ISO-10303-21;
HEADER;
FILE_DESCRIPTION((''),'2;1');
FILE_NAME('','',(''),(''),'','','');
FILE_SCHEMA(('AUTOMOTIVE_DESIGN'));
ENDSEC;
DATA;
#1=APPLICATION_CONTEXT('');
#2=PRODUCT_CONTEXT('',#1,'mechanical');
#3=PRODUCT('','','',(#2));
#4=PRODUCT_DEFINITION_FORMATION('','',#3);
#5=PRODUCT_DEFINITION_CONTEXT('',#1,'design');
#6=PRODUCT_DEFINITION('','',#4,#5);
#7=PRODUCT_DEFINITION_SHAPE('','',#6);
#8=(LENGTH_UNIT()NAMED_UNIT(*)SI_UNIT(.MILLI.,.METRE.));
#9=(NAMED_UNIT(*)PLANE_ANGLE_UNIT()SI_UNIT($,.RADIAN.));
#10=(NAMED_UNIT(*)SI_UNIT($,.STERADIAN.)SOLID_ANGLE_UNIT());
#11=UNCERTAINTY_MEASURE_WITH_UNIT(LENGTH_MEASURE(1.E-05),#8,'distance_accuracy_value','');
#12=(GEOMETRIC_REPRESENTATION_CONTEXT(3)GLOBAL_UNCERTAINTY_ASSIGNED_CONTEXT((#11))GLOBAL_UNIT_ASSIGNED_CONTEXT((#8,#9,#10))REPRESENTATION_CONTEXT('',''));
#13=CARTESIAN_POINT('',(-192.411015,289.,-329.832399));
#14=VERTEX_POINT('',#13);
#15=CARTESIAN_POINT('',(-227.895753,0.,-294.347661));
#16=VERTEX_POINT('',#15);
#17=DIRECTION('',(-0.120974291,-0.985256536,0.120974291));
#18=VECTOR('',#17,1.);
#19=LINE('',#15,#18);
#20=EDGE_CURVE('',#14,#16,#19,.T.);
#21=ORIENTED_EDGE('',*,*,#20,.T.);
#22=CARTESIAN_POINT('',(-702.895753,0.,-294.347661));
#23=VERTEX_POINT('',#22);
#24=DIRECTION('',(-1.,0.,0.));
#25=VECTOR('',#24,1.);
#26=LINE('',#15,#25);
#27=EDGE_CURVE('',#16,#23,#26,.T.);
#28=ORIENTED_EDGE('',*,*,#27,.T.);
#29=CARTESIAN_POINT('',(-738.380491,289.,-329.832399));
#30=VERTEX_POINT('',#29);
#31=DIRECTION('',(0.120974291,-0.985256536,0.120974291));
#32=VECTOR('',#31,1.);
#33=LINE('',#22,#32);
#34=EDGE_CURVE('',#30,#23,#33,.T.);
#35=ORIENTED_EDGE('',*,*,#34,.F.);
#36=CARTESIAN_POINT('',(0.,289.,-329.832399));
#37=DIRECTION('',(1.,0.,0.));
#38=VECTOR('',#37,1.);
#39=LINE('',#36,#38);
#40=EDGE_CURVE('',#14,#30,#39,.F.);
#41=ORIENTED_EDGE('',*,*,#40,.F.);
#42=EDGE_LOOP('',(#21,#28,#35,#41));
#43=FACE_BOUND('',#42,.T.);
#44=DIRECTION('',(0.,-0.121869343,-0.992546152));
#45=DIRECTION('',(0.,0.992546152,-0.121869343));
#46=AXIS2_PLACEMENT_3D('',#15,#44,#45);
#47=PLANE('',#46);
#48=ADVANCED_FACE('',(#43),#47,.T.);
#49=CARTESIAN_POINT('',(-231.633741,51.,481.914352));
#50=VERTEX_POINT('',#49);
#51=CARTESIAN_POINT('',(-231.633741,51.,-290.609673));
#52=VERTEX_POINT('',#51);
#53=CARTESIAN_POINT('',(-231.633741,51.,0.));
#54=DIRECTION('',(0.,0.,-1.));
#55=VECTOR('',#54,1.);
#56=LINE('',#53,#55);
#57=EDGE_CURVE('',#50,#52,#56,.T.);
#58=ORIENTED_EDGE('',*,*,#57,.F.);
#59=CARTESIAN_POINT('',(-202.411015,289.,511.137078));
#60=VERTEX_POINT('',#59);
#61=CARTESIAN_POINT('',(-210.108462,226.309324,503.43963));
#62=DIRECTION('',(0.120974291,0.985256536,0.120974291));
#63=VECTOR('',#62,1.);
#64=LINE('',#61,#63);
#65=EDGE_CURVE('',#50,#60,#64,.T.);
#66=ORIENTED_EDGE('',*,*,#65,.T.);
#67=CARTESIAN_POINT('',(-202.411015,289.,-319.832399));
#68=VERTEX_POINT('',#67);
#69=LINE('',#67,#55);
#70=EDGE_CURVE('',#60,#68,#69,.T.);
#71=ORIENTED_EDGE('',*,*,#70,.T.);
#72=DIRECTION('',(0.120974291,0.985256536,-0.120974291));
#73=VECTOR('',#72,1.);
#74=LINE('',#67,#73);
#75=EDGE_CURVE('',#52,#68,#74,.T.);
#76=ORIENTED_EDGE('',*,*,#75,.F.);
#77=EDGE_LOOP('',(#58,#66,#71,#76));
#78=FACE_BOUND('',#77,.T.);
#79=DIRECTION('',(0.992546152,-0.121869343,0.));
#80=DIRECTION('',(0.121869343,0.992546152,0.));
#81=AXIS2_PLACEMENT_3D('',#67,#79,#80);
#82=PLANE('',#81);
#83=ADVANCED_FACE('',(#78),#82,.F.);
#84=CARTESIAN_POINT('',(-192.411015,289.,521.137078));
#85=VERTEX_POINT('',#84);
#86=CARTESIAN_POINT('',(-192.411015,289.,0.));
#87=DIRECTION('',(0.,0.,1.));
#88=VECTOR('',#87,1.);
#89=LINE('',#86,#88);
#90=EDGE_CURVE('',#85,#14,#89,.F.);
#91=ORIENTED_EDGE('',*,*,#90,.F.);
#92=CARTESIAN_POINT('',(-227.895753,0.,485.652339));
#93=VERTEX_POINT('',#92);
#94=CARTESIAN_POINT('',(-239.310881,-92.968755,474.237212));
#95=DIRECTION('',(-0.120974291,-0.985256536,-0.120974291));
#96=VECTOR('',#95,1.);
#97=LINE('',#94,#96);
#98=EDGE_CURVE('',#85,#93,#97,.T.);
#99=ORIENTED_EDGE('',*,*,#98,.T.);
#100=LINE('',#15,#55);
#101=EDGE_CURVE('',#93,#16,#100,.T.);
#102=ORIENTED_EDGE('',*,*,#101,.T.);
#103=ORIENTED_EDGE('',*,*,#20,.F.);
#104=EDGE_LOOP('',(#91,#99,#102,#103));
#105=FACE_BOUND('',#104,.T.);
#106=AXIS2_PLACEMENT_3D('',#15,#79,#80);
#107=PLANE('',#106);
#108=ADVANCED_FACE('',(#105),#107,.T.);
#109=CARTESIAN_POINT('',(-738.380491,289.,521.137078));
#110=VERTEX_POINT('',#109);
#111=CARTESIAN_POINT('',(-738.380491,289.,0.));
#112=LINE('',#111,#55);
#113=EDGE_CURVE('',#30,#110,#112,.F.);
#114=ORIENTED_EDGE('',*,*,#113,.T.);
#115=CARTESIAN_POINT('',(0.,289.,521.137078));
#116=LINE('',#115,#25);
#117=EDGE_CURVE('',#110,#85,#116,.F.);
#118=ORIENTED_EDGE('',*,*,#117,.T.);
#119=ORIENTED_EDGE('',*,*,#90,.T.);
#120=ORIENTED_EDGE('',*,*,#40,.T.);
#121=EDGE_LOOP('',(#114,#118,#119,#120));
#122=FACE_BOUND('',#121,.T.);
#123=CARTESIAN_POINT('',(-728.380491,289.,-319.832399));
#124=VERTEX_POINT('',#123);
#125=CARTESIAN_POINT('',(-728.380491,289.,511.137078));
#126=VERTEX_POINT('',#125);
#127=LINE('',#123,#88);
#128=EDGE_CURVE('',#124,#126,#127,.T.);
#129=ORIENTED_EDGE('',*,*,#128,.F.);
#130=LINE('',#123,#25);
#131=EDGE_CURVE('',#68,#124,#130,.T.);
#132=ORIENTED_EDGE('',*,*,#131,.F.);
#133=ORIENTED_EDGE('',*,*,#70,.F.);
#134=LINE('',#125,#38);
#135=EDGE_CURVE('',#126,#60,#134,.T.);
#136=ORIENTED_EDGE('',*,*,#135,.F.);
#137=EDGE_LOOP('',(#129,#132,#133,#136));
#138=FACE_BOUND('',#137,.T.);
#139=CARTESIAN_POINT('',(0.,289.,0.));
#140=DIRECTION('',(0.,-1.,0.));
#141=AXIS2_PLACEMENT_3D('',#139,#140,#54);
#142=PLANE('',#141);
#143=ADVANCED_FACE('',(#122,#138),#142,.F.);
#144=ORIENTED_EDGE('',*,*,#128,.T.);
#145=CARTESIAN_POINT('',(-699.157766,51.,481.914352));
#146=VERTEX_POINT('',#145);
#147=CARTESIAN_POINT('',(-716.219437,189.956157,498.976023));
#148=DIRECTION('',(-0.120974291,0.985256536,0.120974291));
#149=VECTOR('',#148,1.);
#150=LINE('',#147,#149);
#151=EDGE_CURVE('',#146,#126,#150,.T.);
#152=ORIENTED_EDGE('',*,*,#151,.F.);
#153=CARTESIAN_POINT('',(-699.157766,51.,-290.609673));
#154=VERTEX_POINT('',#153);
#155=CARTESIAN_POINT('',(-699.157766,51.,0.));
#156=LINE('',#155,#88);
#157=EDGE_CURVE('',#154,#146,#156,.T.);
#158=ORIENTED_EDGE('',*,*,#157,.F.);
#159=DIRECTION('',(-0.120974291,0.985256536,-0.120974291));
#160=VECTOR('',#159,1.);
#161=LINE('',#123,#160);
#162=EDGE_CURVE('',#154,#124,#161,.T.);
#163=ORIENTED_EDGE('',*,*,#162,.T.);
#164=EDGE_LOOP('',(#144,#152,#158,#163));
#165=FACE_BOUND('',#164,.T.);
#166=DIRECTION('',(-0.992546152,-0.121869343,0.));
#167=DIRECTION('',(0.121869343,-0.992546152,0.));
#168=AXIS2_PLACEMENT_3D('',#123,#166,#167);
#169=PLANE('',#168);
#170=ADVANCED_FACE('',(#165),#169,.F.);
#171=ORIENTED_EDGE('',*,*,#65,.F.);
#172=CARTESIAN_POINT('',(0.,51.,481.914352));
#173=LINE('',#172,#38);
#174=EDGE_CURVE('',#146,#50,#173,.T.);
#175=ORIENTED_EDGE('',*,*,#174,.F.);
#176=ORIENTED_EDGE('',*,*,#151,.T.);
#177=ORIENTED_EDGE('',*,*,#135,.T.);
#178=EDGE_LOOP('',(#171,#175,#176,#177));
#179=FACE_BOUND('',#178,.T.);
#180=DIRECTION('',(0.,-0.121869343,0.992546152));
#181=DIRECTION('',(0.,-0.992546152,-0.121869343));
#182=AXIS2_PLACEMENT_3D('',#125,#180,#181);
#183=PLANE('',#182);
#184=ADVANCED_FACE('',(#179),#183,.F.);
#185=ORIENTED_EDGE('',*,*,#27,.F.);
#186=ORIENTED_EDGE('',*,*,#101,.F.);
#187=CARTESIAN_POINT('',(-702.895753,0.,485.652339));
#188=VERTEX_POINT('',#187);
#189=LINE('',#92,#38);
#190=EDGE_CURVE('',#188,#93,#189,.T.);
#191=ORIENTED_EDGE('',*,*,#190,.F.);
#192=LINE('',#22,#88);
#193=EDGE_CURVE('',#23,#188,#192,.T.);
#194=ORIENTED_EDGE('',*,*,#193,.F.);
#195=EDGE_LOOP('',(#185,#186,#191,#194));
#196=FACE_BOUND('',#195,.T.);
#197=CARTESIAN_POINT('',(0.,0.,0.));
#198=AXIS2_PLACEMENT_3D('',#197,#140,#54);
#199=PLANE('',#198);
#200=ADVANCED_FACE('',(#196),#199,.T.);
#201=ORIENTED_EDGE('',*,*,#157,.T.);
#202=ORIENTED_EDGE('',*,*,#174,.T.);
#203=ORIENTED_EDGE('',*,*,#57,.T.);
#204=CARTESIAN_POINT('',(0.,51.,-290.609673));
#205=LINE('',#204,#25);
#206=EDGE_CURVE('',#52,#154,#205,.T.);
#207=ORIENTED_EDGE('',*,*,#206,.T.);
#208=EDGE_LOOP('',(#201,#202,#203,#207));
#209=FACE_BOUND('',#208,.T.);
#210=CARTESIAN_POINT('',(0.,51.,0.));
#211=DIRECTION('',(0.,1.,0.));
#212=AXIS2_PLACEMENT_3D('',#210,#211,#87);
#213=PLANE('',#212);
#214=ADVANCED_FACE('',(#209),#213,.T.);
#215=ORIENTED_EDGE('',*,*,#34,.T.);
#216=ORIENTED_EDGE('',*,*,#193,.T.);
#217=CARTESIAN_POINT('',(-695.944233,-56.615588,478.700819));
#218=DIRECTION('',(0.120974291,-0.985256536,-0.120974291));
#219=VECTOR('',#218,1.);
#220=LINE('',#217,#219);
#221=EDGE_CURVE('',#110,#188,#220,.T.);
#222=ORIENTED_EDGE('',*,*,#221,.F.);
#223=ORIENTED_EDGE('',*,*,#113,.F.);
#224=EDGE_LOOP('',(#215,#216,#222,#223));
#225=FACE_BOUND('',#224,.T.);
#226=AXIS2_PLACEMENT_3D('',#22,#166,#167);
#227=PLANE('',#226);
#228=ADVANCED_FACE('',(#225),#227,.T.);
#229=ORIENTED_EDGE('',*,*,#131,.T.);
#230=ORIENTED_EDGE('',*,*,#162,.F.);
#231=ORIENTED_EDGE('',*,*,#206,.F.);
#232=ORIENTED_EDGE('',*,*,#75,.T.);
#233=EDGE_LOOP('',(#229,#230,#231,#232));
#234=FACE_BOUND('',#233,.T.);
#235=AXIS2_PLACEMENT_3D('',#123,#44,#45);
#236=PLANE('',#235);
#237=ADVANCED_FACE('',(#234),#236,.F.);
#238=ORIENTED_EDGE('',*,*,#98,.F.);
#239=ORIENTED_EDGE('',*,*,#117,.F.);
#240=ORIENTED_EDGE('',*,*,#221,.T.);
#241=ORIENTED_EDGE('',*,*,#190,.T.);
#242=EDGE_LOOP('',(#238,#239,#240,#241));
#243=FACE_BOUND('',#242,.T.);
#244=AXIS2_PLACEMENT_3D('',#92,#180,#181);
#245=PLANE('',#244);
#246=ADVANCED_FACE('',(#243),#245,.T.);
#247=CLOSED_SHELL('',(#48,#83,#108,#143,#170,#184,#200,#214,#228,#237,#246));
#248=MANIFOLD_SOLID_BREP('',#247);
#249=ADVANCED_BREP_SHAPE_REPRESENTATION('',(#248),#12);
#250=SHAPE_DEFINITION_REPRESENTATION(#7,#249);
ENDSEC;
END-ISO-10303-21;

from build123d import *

# Parameters (mm, degrees)
SKETCH_1_W          = 475
SKETCH_1_H          = 780
EXTRUDE_1_DEPTH     = 289
EXTRUDE_1_DRAFT     = -7
SKETCH_2_W          = 525.969476202
SKETCH_2_H          = 830.969476202
CUT_EXTRUDE_1_DEPTH = 238
CUT_EXTRUDE_1_DRAFT = -7


with BuildPart() as part:
    # Эскиз1 → Бобышка-Вытянуть1 (with draft: the straight prism first)
    with BuildSketch(Plane(origin=(0, 0, 0), x_dir=(1, 0, 0), z_dir=(0, 1, 0))):
        with Locations((-465.395753162, -95.652339489)):
            Rectangle(SKETCH_1_W, SKETCH_1_H)
    extrude(amount=EXTRUDE_1_DEPTH)
    # Бобышка-Вытянуть1: the draft: its side faces are tilted about the plane it starts from
    extrude_1_sides = [part.faces().sort_by_distance(p)[0] for p in [
        (-465.395753162, 144.5, -294.347660511),
        (-702.895753162, 144.5, 95.652339489),
        (-465.395753162, 144.5, 485.652339489),
        (-227.895753162, 144.5, 95.652339489),
    ]]
    draft(extrude_1_sides, Plane(origin=(0, 0, 0), x_dir=(1, 0, 0), z_dir=(0, 1, 0)), EXTRUDE_1_DRAFT)


with BuildPart() as cut_extrude_1_tool:
    # Эскиз2 → Вырез-Вытянуть1 (with draft: the straight prism first)
    with BuildSketch(Plane(origin=(0, 289, 0), x_dir=(1, 0, 0), z_dir=(0, 1, 0))):
        with Locations((-465.395753162, -95.652339489)):
            Rectangle(SKETCH_2_W, SKETCH_2_H)
    extrude(amount=-CUT_EXTRUDE_1_DEPTH)
    # Вырез-Вытянуть1: the draft: its side faces are tilted about the plane it starts from
    cut_extrude_1_sides = [cut_extrude_1_tool.faces().sort_by_distance(p)[0] for p in [
        (-728.380491263, 170, 95.652339489),
        (-465.395753162, 170, 511.13707759),
        (-202.411015061, 170, 95.652339489),
        (-465.395753162, 170, -319.832398612),
    ]]
    draft(cut_extrude_1_sides, Plane(origin=(0, 289, 0), x_dir=(1, 0, 0), z_dir=(0, 1, 0)), CUT_EXTRUDE_1_DRAFT)


with BuildPart() as part_1:
    add(part.part)

    # Вырез-Вытянуть1: cut by cut_extrude_1_tool
    add(cut_extrude_1_tool.part, mode=Mode.SUBTRACT)


solid = part_1.part
